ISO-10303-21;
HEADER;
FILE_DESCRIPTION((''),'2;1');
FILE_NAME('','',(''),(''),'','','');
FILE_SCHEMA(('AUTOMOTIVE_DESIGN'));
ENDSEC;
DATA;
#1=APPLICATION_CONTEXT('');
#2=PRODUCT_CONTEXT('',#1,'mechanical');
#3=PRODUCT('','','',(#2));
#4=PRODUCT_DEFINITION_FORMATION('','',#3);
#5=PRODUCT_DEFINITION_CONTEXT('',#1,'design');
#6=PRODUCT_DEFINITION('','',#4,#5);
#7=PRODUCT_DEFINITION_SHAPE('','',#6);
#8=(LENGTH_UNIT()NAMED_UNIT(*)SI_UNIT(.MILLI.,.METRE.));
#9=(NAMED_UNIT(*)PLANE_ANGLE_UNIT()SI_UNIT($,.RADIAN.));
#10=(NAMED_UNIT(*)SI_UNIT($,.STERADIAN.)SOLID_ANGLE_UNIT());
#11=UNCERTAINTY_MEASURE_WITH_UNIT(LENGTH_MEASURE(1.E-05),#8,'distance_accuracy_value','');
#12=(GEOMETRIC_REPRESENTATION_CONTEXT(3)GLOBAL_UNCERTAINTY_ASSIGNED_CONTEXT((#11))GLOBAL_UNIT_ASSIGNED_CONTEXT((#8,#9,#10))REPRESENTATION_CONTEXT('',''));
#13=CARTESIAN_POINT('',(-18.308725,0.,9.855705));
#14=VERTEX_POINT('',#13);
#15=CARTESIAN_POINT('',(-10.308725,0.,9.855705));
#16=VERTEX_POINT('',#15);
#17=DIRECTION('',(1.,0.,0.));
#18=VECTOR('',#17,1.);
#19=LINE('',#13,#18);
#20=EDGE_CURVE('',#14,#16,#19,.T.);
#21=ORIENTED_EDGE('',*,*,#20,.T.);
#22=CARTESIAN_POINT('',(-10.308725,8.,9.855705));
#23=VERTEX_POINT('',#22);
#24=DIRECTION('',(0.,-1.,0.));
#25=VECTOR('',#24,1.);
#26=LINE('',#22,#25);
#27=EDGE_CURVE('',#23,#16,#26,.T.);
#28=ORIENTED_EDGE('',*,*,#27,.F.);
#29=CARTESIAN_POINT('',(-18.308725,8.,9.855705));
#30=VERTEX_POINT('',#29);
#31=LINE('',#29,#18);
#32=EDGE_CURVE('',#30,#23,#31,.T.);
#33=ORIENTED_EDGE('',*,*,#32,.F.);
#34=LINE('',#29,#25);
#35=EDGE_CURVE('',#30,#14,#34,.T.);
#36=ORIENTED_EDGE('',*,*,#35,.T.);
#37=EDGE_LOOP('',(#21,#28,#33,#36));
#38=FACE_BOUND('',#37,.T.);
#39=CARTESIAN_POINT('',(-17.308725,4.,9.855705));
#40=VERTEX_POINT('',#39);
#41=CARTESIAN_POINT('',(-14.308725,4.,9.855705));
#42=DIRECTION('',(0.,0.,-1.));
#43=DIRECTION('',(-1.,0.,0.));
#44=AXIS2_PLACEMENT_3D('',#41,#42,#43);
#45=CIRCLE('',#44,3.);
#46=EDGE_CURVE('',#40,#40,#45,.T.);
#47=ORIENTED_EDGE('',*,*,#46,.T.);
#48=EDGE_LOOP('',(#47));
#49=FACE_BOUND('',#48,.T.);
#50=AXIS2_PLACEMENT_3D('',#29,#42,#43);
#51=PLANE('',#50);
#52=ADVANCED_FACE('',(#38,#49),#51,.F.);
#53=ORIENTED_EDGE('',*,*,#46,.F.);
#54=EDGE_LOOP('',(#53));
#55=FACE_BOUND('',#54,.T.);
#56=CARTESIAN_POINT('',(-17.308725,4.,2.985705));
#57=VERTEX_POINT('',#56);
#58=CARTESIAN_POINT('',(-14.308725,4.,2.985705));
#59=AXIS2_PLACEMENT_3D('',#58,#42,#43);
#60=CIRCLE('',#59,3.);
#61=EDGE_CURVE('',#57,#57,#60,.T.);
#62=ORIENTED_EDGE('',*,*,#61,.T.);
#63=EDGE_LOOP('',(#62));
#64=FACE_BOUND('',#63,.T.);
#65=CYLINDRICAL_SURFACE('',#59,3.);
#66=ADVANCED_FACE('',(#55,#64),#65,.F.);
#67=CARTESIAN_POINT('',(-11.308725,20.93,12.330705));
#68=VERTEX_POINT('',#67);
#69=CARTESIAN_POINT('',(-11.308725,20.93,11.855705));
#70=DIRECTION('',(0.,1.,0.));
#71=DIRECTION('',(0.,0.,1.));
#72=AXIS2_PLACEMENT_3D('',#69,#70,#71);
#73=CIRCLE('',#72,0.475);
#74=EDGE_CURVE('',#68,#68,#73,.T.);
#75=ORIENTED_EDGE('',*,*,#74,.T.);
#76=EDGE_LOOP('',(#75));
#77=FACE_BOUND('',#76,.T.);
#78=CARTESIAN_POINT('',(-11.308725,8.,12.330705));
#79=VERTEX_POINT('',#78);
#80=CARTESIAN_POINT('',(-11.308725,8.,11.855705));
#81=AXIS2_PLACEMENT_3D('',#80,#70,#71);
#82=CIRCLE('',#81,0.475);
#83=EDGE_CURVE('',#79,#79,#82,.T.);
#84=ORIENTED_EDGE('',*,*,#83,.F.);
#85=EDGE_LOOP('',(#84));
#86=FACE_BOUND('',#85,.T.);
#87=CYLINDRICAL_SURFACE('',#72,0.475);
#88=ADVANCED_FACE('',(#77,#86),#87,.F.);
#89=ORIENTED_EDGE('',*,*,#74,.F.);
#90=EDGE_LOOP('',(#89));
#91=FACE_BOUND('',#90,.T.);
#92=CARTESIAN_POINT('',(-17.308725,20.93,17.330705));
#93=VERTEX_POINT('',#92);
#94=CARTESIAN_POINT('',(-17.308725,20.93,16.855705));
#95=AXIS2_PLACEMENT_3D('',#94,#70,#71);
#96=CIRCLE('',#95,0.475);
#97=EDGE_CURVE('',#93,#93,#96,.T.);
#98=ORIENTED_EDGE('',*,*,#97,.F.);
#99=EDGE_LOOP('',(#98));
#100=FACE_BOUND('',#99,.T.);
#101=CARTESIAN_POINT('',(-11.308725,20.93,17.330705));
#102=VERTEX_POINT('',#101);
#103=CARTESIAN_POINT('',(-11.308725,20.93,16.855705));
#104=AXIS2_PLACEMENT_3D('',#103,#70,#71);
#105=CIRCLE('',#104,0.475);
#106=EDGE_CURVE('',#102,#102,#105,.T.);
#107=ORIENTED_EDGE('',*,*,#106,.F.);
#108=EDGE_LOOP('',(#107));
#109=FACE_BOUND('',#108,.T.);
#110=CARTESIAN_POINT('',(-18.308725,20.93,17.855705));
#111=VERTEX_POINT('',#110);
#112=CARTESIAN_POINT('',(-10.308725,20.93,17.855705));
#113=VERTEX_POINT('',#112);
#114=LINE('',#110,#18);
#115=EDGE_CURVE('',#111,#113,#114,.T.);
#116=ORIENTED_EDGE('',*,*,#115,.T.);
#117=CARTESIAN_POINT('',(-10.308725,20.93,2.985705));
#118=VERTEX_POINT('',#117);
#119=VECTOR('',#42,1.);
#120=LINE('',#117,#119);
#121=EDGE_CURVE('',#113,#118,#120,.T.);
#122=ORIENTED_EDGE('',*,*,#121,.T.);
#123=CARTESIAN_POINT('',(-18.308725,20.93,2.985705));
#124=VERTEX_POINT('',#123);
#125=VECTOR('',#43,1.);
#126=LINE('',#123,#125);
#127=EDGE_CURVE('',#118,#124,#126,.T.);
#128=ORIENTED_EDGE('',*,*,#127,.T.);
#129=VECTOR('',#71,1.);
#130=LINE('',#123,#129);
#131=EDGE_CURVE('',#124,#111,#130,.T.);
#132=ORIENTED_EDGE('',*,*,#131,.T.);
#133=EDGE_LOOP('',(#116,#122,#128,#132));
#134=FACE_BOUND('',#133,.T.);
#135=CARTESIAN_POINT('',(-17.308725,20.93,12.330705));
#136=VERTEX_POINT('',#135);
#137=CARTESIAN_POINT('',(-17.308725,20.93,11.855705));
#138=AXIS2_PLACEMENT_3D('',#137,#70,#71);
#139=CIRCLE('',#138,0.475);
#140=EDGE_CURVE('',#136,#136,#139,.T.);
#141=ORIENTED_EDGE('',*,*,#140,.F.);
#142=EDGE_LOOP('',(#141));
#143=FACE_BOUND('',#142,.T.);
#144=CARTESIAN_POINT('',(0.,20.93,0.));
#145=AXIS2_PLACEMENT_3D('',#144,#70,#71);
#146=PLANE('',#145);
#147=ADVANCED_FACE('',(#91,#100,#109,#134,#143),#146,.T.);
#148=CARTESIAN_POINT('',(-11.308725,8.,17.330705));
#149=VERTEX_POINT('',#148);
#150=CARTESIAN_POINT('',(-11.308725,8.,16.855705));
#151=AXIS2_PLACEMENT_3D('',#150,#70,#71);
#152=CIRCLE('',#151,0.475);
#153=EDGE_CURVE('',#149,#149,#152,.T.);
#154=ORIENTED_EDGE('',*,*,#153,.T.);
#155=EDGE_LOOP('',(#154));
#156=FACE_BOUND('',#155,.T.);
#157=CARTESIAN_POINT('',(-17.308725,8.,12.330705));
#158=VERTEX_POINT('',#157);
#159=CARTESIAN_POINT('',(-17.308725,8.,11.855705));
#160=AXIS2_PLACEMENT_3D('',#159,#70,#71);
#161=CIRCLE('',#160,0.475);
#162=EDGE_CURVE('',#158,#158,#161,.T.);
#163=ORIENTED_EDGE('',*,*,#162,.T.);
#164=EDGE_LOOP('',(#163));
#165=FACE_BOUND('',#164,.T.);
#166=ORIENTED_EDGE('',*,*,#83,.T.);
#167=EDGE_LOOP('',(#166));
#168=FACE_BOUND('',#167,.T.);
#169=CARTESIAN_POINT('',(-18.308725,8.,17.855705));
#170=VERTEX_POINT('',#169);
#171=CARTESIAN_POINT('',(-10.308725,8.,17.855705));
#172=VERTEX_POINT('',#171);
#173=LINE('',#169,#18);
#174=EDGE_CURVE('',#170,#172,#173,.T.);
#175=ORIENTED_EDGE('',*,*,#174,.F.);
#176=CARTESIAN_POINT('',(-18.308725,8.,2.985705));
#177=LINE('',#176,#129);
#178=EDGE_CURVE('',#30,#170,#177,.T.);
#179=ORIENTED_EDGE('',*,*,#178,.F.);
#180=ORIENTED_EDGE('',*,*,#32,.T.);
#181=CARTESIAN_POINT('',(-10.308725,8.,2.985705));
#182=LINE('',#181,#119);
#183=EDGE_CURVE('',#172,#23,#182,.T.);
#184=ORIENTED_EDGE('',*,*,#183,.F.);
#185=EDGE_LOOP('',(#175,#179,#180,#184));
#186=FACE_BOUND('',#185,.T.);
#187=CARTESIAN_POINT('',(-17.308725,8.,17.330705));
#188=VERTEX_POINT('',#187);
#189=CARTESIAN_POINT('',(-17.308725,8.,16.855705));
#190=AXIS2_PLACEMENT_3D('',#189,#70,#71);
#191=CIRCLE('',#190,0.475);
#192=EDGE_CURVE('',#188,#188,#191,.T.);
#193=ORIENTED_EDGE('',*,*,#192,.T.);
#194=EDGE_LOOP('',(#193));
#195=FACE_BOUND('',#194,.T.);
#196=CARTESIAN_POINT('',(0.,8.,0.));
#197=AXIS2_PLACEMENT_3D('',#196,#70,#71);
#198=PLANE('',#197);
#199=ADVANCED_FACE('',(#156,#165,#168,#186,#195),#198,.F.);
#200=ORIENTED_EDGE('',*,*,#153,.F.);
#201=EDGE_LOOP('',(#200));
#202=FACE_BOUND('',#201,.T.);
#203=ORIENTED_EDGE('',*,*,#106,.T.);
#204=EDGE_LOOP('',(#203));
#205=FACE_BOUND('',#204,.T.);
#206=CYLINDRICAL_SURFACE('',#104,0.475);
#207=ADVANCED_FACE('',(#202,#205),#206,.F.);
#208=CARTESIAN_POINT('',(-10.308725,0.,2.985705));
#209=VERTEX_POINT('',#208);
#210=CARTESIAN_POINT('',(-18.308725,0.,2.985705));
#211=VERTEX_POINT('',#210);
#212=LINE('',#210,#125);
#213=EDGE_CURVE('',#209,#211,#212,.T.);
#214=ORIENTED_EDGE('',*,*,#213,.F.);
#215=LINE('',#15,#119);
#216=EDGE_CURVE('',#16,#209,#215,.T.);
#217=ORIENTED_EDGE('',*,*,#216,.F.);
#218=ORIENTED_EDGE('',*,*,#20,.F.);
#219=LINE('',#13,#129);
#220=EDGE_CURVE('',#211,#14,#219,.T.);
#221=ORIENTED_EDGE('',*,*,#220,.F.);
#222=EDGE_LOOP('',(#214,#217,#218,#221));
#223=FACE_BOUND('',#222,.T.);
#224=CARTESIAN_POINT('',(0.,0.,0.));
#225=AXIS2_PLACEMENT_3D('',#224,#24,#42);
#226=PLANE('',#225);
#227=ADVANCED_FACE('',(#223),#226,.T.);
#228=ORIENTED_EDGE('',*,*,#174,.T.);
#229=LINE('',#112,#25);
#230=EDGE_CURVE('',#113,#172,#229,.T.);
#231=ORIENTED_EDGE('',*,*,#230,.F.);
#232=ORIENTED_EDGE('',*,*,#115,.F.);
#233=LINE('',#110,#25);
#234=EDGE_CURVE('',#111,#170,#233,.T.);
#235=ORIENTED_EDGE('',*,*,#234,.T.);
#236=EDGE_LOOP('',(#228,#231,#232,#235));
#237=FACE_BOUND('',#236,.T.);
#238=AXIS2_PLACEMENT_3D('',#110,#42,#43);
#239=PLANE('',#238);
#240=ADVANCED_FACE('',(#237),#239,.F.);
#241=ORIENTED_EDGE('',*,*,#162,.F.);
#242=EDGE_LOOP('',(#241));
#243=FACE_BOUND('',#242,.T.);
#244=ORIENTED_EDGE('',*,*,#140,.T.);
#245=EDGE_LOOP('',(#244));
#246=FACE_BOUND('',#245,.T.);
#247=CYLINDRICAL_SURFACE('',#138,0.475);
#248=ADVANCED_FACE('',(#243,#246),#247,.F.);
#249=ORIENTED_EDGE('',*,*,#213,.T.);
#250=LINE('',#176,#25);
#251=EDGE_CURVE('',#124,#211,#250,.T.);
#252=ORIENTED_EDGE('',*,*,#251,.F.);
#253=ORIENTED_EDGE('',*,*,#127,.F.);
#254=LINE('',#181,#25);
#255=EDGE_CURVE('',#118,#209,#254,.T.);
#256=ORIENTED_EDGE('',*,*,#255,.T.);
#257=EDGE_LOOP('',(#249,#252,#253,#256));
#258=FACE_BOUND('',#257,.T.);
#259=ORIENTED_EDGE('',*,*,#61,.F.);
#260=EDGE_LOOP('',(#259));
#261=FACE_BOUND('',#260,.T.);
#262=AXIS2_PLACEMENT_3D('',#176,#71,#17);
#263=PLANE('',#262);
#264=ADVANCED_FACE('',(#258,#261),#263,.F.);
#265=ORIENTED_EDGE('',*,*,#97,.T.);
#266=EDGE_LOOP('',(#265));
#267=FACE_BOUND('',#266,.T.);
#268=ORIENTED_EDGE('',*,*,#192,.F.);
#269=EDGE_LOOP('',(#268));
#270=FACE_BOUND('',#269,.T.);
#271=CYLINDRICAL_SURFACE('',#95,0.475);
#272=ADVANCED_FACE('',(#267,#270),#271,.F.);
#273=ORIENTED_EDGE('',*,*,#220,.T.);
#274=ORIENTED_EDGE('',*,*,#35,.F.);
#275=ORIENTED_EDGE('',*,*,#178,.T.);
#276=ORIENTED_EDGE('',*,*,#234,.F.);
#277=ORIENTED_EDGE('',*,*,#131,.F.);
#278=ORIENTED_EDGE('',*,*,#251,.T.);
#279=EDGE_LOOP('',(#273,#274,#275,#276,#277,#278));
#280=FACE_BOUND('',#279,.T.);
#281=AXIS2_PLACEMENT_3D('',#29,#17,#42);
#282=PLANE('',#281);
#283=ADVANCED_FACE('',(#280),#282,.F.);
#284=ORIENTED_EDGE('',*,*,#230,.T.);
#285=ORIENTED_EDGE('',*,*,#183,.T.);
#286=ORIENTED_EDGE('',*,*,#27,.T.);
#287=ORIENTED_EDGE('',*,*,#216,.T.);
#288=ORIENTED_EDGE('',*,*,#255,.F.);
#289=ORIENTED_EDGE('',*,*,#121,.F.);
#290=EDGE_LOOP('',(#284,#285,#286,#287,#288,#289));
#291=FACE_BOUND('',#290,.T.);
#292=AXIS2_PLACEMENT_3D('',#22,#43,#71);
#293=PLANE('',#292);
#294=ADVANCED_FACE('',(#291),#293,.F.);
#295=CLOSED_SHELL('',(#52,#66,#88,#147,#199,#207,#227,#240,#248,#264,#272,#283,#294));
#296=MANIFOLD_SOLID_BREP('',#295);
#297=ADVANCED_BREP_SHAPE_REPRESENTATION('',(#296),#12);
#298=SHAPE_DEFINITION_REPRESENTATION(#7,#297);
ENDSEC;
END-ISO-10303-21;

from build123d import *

# Parameters (mm, degrees)
SKETCH1_W                = 8
SKETCH1_H                = 6.87
BOSS_EXTRUDE3_DEPTH      = 8
SKETCH2_W                = 8
SKETCH2_H                = 14.87
BOSS_EXTRUDE5_DEPTH      = 12.93
M1_2X0_25_TAPPED_HOLE1_D = 0.95
F_1_0MM_DOWEL_HOLE1_D    = 6


with BuildPart() as part:
    # Sketch1 → Boss-Extrude3 (new body)
    with BuildSketch(Plane(origin=(0, 0, 0), x_dir=(1, 0, 0), z_dir=(0, 1, 0))):
        with Locations((-14.308724832, -6.420704698)):
            Rectangle(SKETCH1_W, SKETCH1_H)
    extrude(amount=BOSS_EXTRUDE3_DEPTH)

    # Sketch2 → Boss-Extrude5 (add)
    with BuildSketch(Plane(origin=(0, 8, 0), x_dir=(1, 0, 0), z_dir=(0, 1, 0))):
        with Locations((-14.308724832, -10.420704698)):
            Rectangle(SKETCH2_W, SKETCH2_H)
    extrude(amount=BOSS_EXTRUDE5_DEPTH)

    # M1.2x0.25 Tapped Hole1 (through all)
    with Locations(Plane(origin=(0, 20.93, 0), x_dir=(1, 0, 0), z_dir=(0, 1, 0))):
        with Locations((-17.308724832, -11.855704698), (-11.308724832, -11.855704698), (-17.308724832, -16.855704698), (-11.308724832, -16.855704698)):
            Hole(M1_2X0_25_TAPPED_HOLE1_D / 2)

    # Ø1.0mm Dowel Hole1 (through all)
    with Locations(Plane(origin=(0, 0, 2.985704698), x_dir=(-1, 0, 0), z_dir=(0, 0, -1))):
        with Locations((14.308724832, 4)):
            Hole(F_1_0MM_DOWEL_HOLE1_D / 2)


solid = part.part
